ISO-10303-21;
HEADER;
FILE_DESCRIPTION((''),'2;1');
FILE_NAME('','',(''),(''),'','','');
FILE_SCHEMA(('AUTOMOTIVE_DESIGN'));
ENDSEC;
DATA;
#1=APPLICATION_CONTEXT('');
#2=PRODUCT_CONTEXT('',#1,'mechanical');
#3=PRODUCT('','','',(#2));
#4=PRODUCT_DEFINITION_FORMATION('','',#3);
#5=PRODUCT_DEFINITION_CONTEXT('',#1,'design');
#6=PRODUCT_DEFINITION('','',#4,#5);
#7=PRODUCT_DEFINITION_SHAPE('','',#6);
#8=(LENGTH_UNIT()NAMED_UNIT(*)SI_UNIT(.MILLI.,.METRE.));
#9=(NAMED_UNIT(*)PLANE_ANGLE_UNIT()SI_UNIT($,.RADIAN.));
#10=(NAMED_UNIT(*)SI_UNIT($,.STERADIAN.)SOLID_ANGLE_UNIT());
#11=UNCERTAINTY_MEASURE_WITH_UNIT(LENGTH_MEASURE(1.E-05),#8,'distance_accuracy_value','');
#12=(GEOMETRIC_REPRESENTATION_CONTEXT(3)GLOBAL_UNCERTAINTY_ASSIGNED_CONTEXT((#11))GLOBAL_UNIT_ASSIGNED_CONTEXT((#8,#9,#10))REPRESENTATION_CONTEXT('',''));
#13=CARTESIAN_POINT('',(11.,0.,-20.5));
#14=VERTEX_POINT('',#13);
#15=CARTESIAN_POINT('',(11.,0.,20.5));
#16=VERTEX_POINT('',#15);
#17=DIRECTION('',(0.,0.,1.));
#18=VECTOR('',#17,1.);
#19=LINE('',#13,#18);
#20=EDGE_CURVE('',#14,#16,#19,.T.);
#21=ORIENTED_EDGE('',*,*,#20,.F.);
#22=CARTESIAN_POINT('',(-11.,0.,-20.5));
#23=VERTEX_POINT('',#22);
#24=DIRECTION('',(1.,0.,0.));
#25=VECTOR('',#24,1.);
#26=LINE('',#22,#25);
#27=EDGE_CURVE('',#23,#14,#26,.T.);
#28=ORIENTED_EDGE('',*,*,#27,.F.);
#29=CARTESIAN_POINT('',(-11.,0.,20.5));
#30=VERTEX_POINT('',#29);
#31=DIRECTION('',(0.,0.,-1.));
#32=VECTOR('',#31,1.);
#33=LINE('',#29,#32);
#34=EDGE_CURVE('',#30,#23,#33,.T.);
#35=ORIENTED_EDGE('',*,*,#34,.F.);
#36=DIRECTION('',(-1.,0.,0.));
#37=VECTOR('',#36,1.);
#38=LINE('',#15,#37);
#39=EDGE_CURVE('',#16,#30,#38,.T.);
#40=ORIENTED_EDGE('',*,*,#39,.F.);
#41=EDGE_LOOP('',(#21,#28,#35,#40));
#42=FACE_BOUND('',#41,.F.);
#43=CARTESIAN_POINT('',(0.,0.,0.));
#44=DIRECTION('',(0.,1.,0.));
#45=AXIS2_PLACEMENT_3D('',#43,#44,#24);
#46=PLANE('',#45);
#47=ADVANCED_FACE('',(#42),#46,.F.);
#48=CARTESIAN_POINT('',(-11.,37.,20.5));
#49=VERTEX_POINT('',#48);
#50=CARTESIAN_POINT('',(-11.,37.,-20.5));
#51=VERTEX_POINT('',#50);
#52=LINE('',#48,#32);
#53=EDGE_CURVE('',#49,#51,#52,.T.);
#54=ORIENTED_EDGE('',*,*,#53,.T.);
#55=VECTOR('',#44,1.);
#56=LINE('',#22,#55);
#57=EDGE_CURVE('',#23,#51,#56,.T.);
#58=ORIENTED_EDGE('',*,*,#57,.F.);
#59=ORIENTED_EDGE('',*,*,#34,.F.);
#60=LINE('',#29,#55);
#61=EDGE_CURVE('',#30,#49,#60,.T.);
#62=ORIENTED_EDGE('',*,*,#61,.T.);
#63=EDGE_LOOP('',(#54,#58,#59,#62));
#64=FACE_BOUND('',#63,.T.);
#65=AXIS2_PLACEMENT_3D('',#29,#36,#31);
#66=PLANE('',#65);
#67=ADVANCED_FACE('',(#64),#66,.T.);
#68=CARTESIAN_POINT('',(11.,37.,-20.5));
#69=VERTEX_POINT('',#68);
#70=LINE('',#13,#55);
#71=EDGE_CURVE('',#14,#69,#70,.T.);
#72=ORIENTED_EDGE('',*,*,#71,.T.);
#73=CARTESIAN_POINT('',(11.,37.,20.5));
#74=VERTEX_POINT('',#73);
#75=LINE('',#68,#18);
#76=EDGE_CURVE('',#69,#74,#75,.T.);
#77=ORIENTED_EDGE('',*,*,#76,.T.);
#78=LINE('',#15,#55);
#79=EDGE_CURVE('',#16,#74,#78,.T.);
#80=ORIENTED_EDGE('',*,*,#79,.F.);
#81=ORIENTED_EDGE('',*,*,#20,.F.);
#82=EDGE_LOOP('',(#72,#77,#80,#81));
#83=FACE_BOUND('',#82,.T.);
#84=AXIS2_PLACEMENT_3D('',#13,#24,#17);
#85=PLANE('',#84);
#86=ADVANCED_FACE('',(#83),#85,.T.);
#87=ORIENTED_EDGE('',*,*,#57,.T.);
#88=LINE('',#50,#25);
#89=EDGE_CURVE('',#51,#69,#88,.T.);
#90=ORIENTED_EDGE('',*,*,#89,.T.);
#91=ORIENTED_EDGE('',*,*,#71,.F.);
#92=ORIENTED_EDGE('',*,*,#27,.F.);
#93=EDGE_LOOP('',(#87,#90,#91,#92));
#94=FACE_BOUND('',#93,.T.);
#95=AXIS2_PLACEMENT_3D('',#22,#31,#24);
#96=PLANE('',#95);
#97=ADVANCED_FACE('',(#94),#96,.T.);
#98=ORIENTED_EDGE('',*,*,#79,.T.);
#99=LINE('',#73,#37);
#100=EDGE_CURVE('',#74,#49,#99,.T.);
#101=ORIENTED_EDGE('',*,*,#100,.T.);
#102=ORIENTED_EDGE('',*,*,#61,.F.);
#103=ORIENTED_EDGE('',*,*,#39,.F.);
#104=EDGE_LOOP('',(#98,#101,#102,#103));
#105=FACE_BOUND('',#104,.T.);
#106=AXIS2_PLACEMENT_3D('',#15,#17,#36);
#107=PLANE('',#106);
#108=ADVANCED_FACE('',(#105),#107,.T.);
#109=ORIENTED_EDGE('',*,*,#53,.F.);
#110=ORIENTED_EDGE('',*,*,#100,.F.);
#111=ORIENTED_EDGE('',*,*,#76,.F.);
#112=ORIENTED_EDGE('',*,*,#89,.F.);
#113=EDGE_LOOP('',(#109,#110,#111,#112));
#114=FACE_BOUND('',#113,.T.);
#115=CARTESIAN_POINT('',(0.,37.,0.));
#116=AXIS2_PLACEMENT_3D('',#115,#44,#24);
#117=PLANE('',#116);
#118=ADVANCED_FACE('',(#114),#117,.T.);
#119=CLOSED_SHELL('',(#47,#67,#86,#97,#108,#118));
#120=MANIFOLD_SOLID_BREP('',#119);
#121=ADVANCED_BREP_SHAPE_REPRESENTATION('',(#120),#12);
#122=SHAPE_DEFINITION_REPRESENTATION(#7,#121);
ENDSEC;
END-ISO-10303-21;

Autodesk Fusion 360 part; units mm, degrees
sketch "Sketch1" plane through (0, 0, 0) normal (0, 1, 0) x (1, 0, 0)
  line L0 (-11, 20.5) -> (11, 20.5)
  line L1 (11, 20.5) -> (11, -20.5)
  line L2 (11, -20.5) -> (-11, -20.5)
  line L3 (-11, -20.5) -> (-11, 20.5)
  line L4 (-11, 20.5) -> (11, -20.5) construction
  line L5 (11, 20.5) -> (-11, -20.5) construction
  dimension "d1" = 41
  dimension "d2" = 22
extrude "Extrude1" add sketch "Sketch1" along normal blind 37
